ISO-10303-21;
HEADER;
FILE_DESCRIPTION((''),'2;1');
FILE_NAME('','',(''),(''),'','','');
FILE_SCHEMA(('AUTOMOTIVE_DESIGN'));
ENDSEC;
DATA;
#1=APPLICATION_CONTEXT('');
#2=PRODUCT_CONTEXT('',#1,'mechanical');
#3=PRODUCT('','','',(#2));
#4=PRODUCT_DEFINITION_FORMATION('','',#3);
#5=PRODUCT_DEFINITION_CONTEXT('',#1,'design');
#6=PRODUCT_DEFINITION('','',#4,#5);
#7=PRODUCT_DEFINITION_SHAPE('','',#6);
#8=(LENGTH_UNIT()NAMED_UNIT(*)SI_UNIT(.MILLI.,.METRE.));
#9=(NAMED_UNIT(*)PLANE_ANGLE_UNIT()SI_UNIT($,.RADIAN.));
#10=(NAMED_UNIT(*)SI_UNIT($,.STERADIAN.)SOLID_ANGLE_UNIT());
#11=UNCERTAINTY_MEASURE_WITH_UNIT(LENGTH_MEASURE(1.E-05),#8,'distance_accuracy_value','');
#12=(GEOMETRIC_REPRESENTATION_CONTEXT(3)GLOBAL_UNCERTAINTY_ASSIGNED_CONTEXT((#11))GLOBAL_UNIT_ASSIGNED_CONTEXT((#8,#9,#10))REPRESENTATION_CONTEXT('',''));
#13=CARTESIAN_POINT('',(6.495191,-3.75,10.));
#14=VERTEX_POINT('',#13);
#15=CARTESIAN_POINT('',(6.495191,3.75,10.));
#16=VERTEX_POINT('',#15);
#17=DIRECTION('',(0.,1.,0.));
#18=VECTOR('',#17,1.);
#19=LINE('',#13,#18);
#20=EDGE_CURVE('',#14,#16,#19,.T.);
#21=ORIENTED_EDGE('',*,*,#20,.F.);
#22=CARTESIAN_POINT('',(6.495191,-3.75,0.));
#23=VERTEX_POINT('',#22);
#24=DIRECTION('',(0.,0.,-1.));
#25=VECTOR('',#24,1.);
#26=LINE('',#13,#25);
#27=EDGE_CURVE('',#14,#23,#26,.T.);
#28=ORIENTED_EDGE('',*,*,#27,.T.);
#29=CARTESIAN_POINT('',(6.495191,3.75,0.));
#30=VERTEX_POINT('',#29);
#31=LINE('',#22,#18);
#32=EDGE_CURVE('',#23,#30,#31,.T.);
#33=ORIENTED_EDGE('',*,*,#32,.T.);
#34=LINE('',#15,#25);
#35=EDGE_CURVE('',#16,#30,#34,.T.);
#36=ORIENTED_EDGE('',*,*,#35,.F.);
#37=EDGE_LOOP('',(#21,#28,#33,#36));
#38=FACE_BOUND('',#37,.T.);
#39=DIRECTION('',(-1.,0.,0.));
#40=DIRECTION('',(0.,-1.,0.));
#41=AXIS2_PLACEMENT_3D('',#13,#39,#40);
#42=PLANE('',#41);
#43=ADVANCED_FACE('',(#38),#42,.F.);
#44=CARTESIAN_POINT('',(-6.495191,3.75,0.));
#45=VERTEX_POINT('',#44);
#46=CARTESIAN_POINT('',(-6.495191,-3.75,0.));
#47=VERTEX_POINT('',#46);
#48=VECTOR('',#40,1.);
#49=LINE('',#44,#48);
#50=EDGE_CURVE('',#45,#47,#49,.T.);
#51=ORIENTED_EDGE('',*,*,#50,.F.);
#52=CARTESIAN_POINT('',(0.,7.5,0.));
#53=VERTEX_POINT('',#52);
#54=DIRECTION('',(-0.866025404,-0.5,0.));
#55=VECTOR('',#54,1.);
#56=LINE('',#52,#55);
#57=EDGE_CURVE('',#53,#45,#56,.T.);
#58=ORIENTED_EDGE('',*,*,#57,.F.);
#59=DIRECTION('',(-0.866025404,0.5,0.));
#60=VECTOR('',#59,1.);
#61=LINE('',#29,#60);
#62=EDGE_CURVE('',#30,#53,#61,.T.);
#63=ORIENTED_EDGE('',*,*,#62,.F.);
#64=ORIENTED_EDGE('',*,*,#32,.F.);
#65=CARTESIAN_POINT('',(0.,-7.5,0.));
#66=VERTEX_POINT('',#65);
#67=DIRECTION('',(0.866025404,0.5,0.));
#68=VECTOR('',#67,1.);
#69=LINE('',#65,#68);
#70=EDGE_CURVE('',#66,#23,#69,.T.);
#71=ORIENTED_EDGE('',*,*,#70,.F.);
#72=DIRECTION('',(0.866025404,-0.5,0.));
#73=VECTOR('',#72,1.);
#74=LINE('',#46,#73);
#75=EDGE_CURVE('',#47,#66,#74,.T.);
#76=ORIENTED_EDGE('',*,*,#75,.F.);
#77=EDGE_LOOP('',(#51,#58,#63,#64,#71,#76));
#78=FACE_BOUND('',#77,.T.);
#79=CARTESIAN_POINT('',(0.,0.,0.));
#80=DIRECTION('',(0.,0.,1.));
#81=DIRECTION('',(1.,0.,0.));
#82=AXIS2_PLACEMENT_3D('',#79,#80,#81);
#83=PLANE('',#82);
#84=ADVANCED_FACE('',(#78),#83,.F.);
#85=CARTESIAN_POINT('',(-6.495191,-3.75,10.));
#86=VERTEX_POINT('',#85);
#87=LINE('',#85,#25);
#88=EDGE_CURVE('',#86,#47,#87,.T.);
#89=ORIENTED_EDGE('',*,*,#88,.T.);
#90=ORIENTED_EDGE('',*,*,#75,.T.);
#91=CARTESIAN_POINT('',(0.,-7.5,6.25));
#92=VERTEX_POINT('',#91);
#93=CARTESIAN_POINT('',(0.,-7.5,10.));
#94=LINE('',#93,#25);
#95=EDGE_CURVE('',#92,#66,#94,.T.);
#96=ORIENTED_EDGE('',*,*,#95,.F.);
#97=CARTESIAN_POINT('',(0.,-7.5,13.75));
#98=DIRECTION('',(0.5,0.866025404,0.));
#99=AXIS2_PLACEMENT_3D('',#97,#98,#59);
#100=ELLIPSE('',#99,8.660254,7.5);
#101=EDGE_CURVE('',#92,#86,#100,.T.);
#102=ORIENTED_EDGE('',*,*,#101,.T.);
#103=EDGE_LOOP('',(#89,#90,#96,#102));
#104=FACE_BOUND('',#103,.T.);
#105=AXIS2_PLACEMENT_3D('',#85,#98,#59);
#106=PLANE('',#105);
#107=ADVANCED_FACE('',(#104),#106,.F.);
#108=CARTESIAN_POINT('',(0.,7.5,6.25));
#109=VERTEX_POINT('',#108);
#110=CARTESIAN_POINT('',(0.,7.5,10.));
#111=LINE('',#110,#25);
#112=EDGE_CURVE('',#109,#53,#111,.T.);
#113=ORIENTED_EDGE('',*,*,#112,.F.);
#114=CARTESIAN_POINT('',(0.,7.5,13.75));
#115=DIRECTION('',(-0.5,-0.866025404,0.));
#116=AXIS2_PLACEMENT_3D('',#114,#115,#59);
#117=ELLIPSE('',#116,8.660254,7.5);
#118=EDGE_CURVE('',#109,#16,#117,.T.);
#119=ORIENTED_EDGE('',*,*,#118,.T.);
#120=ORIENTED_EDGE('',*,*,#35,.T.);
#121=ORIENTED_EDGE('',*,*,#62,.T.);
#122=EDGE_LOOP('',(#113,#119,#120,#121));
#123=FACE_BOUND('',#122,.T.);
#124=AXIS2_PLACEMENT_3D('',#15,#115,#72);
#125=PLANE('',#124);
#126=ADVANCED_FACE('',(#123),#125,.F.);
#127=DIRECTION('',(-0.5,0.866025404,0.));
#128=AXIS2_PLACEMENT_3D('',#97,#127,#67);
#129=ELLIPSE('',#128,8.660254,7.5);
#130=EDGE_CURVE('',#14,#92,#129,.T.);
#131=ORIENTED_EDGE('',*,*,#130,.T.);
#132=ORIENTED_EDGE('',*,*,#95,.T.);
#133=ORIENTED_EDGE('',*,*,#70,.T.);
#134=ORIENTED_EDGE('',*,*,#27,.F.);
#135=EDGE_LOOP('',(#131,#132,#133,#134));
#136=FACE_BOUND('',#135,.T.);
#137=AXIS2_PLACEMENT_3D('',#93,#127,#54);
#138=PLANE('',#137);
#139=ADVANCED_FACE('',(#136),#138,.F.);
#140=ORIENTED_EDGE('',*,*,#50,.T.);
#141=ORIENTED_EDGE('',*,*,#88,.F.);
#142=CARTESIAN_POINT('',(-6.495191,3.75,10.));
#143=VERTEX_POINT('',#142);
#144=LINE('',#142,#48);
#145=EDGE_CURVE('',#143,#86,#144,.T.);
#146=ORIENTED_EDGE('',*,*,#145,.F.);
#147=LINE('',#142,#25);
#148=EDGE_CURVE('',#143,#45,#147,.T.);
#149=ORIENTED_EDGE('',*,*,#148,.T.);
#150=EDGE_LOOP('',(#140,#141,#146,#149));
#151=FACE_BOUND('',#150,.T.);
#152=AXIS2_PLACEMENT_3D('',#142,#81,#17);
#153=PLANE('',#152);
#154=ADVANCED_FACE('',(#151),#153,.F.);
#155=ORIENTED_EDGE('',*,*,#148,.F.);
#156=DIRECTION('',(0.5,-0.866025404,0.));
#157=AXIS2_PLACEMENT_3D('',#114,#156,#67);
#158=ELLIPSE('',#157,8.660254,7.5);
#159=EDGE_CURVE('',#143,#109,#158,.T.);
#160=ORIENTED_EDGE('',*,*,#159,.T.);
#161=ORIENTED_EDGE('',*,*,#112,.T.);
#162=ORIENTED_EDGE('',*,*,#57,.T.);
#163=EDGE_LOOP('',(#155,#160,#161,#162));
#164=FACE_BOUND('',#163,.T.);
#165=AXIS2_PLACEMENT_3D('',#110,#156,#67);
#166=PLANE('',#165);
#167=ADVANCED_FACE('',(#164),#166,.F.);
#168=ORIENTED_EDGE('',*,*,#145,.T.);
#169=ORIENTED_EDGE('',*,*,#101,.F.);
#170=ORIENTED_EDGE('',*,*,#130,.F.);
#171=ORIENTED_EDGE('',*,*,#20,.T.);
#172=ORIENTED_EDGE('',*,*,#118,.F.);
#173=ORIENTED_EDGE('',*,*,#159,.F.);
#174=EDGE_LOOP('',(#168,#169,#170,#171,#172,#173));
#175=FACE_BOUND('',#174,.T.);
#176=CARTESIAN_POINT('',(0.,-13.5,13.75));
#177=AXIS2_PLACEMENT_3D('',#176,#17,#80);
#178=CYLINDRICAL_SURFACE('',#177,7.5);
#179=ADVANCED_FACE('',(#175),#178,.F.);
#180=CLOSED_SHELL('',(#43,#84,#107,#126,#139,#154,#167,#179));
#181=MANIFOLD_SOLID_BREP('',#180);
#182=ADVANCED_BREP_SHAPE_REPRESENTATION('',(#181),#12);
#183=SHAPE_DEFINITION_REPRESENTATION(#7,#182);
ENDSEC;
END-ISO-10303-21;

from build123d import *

# Parameters (mm, degrees)
BOSS_EXTRUDE1_DEPTH = 10
SKETCH2_R           = 7.5
CUT_EXTRUDE1_DEPTH  = 13.5


with BuildPart() as part:
    # Sketch1 → Boss-Extrude1 (new body)
    with BuildSketch(Plane.XY):
        Polygon((0, -7.5), (6.495190528, -3.75), (6.495190528, 3.75), (0, 7.5), (-6.495190528, 3.75), (-6.495190528, -3.75), align=None)
    extrude(amount=BOSS_EXTRUDE1_DEPTH)

    # Sketch2 → Cut-Extrude1 (cut, symmetric)
    with BuildSketch(Plane(origin=(0, 0, 0), x_dir=(0, 0, -1), z_dir=(0, 1, 0))):
        with Locations((-13.75, 0)):
            Circle(SKETCH2_R)
    extrude(amount=CUT_EXTRUDE1_DEPTH, both=True, mode=Mode.SUBTRACT)


solid = part.part
